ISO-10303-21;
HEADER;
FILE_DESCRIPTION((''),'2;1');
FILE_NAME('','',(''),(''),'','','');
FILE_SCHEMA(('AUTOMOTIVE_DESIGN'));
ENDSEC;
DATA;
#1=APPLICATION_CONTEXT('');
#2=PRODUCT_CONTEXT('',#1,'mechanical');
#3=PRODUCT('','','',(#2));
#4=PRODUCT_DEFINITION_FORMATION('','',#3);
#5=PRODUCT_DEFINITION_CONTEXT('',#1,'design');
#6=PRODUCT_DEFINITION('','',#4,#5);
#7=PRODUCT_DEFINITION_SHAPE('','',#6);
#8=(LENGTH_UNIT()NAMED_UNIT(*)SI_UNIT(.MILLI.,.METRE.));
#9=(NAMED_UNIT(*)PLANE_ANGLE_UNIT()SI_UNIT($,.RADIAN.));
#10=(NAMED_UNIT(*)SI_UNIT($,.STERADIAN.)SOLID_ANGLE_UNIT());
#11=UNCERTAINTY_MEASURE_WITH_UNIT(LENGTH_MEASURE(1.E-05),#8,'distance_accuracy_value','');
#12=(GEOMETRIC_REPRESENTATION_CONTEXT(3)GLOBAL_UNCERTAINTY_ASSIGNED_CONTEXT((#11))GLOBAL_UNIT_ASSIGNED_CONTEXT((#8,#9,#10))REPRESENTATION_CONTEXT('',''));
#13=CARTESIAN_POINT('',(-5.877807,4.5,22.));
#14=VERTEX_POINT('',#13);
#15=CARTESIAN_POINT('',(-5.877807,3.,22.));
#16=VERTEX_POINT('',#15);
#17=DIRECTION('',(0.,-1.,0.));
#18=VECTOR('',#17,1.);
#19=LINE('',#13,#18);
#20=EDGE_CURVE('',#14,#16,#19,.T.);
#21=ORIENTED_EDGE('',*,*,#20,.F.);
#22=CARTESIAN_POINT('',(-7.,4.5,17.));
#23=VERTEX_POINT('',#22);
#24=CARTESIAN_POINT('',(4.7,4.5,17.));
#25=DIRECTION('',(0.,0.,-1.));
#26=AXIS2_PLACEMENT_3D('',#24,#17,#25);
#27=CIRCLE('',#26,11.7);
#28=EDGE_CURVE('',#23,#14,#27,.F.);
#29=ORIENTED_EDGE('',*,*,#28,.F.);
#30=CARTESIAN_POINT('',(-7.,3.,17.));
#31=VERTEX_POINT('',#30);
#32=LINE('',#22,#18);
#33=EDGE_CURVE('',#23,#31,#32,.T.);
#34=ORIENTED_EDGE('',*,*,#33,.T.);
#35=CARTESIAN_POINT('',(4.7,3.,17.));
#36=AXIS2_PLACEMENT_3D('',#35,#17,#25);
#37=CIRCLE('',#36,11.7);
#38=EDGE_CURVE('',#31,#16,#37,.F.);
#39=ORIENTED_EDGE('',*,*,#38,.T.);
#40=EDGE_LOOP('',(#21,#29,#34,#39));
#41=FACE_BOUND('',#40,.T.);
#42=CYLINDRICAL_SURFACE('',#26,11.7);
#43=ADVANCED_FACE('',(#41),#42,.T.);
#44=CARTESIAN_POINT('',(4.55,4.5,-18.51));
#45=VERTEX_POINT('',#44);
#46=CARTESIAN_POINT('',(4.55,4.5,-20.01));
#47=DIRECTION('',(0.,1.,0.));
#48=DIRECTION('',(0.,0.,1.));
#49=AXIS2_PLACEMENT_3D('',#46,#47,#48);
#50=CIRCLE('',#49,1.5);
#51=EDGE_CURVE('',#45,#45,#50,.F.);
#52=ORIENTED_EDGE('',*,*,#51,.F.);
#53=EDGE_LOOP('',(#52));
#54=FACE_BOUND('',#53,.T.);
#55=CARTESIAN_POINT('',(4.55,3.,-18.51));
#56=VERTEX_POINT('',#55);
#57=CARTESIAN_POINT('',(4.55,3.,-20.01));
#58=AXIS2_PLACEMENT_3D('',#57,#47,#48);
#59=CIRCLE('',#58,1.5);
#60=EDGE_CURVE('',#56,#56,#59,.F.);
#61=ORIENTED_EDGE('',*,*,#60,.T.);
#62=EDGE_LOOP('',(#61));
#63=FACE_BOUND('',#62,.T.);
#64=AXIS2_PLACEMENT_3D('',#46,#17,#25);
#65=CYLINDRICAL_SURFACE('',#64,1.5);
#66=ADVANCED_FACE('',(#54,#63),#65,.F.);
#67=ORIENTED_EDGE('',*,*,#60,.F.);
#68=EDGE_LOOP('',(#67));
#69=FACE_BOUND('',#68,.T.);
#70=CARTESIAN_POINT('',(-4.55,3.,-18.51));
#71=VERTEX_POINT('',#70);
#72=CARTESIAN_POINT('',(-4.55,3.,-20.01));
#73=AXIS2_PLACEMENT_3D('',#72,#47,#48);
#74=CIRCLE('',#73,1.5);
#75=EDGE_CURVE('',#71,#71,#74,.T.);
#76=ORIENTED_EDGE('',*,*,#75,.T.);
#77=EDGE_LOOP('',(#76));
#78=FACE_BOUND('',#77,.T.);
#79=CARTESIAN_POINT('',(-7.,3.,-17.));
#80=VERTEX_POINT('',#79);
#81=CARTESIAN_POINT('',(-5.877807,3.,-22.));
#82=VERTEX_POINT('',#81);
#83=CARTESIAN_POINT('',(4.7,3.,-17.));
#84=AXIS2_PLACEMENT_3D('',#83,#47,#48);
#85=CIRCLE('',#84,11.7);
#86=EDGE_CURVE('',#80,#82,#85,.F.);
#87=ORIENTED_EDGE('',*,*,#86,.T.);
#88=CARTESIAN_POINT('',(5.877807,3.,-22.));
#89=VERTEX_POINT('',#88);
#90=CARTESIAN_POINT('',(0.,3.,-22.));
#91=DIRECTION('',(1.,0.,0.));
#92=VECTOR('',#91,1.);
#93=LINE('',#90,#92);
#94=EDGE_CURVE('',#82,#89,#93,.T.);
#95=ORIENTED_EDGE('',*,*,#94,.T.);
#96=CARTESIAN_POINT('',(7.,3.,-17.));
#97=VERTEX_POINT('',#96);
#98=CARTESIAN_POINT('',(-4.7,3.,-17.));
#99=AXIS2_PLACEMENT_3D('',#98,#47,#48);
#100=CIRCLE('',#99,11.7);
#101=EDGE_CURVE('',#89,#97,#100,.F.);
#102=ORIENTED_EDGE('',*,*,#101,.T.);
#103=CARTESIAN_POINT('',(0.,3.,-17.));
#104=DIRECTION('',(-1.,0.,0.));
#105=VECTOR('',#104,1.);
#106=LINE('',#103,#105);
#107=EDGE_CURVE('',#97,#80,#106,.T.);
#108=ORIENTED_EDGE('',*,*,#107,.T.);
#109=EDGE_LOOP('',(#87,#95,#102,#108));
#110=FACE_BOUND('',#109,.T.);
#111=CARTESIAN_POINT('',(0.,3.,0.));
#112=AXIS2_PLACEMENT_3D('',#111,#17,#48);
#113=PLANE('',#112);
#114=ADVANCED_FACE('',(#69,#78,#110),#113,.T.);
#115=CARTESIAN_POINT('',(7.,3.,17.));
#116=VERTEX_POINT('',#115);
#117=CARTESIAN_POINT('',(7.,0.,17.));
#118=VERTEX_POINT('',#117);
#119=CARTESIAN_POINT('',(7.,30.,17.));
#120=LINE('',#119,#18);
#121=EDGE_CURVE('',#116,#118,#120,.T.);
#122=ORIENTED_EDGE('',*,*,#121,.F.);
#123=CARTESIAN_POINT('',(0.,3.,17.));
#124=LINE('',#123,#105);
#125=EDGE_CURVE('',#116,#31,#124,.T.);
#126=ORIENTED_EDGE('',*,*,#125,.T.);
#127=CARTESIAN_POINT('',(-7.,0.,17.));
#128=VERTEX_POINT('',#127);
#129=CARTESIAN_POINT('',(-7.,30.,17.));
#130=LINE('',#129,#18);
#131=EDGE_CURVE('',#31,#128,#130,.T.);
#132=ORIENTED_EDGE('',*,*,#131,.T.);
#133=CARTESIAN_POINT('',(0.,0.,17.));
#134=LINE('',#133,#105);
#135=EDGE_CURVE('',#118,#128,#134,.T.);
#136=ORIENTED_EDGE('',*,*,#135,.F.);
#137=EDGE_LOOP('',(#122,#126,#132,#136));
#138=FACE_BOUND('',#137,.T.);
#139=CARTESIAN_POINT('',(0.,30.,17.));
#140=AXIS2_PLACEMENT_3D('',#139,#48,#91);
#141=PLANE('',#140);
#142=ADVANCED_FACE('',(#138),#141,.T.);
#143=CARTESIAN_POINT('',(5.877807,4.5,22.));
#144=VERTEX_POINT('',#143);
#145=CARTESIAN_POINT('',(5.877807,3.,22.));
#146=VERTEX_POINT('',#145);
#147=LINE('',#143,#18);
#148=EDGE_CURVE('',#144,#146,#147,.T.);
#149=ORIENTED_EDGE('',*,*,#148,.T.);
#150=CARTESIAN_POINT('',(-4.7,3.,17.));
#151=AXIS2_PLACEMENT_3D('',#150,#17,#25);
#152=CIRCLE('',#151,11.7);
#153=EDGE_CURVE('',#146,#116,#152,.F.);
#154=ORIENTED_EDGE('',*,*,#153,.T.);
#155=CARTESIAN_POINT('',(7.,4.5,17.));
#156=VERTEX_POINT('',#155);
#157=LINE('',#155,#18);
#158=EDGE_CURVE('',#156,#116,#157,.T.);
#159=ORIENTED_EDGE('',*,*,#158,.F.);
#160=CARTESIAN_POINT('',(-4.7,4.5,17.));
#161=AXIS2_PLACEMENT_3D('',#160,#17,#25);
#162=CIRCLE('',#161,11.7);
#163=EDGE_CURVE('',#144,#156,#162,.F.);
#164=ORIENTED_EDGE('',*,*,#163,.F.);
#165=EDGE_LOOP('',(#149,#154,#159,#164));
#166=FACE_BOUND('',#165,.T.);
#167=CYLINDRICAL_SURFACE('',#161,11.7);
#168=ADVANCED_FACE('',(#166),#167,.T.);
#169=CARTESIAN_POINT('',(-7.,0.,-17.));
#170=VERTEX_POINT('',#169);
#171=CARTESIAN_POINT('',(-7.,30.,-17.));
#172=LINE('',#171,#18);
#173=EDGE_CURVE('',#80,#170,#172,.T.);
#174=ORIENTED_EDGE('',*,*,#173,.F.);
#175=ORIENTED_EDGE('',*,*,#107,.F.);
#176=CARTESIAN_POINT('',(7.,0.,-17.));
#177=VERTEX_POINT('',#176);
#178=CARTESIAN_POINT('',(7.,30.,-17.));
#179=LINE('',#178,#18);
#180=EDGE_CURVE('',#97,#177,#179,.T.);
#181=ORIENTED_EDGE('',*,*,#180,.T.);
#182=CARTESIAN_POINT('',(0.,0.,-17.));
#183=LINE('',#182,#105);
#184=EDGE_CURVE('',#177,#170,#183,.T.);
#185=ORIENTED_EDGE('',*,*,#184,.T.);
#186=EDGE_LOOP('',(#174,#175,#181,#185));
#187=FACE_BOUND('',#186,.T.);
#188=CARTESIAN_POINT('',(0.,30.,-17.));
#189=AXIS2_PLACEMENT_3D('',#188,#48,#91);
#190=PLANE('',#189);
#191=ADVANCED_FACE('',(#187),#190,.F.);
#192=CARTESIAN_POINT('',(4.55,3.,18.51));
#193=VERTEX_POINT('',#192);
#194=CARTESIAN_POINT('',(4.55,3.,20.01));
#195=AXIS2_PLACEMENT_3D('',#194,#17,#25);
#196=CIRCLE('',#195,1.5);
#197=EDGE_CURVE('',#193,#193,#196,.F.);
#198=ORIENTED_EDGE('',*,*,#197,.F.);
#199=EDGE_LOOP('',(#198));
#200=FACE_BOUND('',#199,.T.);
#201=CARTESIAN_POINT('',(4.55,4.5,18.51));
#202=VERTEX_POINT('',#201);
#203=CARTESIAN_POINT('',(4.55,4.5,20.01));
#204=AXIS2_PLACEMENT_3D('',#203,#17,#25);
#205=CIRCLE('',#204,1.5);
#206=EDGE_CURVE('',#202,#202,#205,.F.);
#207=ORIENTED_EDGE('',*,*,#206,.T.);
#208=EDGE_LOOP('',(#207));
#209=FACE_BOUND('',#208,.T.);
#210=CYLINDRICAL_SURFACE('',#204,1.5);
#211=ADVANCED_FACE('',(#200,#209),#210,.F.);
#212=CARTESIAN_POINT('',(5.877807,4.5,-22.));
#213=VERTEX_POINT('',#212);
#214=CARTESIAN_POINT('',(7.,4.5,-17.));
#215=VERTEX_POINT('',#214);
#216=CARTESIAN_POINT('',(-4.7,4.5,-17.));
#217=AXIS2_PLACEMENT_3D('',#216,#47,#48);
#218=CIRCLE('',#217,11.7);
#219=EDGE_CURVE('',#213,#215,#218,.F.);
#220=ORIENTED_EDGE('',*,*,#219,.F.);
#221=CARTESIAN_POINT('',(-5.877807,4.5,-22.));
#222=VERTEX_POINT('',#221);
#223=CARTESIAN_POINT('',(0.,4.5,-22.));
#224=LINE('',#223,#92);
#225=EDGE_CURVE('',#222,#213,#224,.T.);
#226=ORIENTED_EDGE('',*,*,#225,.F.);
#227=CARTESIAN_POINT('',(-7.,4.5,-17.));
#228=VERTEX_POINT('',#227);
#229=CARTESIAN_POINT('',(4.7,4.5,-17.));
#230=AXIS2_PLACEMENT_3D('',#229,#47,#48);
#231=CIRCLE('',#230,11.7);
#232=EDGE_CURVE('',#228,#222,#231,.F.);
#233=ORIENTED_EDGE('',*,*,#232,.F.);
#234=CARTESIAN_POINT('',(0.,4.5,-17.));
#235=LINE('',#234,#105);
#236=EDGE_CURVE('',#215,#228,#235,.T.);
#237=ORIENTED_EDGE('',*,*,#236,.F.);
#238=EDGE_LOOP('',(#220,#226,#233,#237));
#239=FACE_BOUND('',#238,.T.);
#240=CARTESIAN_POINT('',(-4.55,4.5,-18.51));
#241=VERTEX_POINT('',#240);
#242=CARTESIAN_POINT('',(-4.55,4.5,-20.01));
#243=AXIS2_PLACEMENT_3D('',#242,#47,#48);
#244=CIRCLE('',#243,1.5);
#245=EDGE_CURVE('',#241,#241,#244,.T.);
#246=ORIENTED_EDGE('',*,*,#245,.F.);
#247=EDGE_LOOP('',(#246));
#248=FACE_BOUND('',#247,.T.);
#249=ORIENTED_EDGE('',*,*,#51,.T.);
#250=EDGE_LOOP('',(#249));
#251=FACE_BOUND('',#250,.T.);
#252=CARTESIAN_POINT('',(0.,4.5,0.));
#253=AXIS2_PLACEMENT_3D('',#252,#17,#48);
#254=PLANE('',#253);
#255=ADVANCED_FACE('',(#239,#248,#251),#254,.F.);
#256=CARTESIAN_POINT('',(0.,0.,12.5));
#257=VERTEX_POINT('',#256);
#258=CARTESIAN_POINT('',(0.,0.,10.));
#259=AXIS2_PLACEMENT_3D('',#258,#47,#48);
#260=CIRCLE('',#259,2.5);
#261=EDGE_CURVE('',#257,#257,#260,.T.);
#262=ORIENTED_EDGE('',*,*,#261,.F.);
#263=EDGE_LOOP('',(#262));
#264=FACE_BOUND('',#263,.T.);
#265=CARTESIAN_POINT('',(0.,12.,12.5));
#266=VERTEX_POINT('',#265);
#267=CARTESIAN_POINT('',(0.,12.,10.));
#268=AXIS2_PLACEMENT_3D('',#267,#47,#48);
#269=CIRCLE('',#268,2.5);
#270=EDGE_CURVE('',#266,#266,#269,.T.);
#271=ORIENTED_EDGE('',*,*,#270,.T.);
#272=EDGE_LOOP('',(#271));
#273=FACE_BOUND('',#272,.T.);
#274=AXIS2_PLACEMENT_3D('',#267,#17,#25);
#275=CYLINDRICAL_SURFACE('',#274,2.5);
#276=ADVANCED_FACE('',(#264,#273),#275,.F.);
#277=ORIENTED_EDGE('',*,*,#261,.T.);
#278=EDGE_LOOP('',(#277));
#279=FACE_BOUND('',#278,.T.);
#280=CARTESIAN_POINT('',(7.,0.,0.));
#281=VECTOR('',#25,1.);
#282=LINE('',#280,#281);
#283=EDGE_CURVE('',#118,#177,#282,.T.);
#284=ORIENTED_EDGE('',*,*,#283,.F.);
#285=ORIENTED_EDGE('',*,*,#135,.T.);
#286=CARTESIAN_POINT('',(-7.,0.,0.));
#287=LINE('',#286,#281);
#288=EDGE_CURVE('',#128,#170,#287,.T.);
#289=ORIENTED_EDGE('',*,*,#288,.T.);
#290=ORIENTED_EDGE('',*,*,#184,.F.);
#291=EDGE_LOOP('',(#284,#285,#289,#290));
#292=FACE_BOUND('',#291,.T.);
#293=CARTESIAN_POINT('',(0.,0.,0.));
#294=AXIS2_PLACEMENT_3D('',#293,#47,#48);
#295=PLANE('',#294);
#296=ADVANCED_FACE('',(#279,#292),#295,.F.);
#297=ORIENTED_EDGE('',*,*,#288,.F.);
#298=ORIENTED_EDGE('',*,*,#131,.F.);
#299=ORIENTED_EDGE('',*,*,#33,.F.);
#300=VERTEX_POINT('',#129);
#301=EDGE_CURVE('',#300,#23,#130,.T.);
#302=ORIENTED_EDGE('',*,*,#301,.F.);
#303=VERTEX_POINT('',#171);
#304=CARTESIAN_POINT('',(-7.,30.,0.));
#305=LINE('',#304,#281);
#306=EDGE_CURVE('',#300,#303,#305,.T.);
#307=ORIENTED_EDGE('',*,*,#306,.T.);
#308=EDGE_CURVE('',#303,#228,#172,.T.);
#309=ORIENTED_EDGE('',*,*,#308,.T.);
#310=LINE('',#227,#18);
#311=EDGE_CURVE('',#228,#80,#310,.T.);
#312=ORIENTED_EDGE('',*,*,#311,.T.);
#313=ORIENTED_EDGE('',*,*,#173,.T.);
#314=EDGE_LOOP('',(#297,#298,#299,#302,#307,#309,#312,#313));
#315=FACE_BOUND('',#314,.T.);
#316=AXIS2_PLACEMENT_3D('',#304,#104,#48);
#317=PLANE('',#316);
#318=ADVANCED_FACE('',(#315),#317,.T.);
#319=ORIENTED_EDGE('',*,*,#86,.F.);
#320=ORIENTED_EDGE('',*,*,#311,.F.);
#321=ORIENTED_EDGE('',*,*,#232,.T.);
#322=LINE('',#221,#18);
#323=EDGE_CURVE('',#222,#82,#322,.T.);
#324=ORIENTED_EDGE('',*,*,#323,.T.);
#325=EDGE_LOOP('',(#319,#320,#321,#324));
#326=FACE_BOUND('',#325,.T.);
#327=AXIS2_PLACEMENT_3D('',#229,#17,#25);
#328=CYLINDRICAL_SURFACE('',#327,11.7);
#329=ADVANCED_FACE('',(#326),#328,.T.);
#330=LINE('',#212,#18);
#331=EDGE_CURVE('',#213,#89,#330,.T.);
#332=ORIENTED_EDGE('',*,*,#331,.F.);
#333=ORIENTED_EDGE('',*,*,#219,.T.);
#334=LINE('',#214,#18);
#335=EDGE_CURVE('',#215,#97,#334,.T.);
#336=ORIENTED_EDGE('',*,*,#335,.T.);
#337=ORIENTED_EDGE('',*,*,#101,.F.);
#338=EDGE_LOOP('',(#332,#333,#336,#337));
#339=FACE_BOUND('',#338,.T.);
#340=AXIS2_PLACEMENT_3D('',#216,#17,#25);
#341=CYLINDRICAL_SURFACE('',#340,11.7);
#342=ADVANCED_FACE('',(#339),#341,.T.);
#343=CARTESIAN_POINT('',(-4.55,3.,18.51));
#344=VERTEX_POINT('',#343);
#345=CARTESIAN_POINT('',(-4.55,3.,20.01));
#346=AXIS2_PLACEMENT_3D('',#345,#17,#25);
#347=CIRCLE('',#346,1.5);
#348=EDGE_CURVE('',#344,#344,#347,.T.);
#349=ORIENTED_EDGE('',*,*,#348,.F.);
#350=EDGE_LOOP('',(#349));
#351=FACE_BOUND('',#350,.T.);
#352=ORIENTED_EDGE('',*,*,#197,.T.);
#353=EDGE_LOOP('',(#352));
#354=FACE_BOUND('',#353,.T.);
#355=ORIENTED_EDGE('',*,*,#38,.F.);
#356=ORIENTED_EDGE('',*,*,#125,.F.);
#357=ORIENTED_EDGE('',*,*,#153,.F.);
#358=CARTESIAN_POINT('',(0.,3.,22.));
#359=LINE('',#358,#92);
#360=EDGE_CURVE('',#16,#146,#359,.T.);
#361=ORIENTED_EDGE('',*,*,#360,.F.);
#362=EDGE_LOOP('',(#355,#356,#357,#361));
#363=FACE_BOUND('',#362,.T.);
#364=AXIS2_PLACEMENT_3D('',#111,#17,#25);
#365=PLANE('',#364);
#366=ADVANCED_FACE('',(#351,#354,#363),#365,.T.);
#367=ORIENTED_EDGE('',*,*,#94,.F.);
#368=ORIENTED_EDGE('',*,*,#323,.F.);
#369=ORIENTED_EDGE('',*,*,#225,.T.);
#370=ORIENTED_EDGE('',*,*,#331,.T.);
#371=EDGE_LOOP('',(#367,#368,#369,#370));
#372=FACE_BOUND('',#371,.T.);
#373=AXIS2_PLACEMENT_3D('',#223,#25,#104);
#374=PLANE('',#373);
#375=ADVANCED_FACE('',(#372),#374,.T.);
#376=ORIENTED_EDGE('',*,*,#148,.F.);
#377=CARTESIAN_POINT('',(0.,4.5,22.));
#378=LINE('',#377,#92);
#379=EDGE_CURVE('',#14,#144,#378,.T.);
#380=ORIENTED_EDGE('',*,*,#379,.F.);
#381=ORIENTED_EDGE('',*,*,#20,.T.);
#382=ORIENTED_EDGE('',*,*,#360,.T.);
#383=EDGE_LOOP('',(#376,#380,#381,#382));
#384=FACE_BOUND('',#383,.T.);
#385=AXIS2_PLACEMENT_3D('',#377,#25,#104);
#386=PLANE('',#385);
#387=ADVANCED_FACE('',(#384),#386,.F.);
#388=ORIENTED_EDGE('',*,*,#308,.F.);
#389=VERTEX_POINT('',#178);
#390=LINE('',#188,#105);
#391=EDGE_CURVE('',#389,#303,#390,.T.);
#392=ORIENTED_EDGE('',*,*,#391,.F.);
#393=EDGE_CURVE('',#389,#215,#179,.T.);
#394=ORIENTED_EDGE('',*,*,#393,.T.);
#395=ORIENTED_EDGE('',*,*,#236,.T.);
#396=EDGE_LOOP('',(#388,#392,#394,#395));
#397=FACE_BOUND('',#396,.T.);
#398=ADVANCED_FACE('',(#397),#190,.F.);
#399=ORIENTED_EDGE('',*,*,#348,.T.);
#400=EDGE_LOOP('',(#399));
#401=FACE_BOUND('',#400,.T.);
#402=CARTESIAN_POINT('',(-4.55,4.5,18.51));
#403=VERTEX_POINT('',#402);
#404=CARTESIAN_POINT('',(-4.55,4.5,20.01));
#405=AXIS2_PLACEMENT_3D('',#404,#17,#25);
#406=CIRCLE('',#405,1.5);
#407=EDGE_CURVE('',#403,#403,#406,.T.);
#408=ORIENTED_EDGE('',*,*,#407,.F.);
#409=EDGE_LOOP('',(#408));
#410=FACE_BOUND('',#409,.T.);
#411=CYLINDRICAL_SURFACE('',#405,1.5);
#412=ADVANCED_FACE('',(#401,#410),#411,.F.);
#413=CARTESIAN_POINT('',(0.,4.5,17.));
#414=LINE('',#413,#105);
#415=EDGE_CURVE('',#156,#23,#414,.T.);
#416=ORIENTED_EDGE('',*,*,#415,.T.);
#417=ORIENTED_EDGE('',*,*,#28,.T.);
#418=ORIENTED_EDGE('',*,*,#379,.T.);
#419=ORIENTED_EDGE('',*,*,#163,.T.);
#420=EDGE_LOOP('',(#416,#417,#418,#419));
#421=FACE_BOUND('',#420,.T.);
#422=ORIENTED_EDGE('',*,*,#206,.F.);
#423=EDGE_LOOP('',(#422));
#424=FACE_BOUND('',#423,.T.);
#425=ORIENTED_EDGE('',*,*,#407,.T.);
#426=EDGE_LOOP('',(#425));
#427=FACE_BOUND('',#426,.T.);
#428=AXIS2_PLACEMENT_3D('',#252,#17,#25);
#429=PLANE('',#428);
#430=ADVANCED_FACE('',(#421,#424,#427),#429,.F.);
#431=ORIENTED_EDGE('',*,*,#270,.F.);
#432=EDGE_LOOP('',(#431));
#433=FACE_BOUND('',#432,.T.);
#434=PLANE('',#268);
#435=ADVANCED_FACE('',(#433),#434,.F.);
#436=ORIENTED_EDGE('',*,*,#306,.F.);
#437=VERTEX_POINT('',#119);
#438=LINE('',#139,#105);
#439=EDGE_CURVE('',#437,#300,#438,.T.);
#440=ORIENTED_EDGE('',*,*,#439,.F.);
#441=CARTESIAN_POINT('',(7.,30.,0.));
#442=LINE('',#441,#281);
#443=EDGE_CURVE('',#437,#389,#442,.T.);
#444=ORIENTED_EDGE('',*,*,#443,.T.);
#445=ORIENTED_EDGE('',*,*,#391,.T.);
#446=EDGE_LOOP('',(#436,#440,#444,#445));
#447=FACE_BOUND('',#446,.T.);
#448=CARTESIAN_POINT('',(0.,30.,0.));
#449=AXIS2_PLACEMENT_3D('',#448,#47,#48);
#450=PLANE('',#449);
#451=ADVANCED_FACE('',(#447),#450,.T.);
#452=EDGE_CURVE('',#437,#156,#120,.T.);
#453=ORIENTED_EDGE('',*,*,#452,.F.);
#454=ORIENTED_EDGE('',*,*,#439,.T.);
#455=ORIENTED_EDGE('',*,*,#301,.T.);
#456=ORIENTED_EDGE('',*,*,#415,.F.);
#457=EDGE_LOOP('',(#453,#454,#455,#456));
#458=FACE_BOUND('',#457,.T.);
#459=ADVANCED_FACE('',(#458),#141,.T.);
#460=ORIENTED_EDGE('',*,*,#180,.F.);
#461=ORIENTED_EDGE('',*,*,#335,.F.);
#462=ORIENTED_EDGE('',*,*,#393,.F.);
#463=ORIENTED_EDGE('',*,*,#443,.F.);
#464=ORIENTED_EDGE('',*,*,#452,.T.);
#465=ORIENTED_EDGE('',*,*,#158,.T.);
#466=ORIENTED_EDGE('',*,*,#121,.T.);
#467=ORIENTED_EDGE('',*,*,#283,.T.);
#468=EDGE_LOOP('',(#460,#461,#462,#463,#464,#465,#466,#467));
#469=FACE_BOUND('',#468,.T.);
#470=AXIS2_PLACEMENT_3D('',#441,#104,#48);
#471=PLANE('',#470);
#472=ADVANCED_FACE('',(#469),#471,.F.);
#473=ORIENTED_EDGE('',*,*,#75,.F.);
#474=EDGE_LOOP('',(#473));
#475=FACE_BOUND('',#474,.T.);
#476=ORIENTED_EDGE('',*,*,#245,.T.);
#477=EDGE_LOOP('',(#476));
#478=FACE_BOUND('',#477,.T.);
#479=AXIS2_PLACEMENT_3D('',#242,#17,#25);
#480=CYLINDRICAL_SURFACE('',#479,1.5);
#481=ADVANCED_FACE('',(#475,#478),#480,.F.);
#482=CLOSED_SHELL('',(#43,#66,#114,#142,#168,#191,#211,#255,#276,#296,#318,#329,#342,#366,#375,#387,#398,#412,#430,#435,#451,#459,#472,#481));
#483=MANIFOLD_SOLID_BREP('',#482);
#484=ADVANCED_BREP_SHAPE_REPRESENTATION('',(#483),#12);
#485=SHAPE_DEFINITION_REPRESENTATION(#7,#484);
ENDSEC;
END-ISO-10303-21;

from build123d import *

# Parameters (mm, degrees)
SKETCH1_W           = 14
SKETCH1_H           = 34
BOSS_EXTRUDE1_DEPTH = 30
SKETCH1_3_R         = 2.5
CUT_EXTRUDE1_DEPTH  = 12
BOSS_EXTRUDE2_START = -3
SKETCH4_R           = 1.5
BOSS_EXTRUDE2_DEPTH = 1.5


with BuildPart() as part:
    # Sketch1 → Boss-Extrude1 (new body)
    with BuildSketch(Plane(origin=(0, 0, 0), x_dir=(1, 0, 0), z_dir=(0, 1, 0))):
        Rectangle(SKETCH1_W, SKETCH1_H)
    extrude(amount=BOSS_EXTRUDE1_DEPTH)

    # Sketch1<3> → Cut-Extrude1 (cut)
    with BuildSketch(Plane(origin=(0, 0, 0), x_dir=(1, 0, 0), z_dir=(0, 1, 0))):
        with Locations((0, -10)):
            Circle(SKETCH1_3_R)
    extrude(amount=CUT_EXTRUDE1_DEPTH, mode=Mode.SUBTRACT)

    # Sketch4 → Boss-Extrude2 (add)
    with BuildSketch(Plane.XZ.offset(BOSS_EXTRUDE2_START)):
        with BuildLine():
            ThreePointArc((-5.877806956, 22), (-6.716005023, 19.562192285), (-7, 17))
            Line((-7, 17), (7, 17))
            ThreePointArc((7, 17), (6.716005023, 19.562192285), (5.877806956, 22))
            Line((5.877806956, 22), (-5.877806956, 22))
        make_face()
        with Locations((-4.55, 20.01)):
            Circle(SKETCH4_R, mode=Mode.SUBTRACT)
        with Locations((4.55, 20.01)):
            Circle(SKETCH4_R, mode=Mode.SUBTRACT)
    boss_extrude2 = extrude(amount=-BOSS_EXTRUDE2_DEPTH)

    # Mirror1: Boss-Extrude2 across plane
    add(boss_extrude2.mirror(Plane.XY))


solid = part.part
